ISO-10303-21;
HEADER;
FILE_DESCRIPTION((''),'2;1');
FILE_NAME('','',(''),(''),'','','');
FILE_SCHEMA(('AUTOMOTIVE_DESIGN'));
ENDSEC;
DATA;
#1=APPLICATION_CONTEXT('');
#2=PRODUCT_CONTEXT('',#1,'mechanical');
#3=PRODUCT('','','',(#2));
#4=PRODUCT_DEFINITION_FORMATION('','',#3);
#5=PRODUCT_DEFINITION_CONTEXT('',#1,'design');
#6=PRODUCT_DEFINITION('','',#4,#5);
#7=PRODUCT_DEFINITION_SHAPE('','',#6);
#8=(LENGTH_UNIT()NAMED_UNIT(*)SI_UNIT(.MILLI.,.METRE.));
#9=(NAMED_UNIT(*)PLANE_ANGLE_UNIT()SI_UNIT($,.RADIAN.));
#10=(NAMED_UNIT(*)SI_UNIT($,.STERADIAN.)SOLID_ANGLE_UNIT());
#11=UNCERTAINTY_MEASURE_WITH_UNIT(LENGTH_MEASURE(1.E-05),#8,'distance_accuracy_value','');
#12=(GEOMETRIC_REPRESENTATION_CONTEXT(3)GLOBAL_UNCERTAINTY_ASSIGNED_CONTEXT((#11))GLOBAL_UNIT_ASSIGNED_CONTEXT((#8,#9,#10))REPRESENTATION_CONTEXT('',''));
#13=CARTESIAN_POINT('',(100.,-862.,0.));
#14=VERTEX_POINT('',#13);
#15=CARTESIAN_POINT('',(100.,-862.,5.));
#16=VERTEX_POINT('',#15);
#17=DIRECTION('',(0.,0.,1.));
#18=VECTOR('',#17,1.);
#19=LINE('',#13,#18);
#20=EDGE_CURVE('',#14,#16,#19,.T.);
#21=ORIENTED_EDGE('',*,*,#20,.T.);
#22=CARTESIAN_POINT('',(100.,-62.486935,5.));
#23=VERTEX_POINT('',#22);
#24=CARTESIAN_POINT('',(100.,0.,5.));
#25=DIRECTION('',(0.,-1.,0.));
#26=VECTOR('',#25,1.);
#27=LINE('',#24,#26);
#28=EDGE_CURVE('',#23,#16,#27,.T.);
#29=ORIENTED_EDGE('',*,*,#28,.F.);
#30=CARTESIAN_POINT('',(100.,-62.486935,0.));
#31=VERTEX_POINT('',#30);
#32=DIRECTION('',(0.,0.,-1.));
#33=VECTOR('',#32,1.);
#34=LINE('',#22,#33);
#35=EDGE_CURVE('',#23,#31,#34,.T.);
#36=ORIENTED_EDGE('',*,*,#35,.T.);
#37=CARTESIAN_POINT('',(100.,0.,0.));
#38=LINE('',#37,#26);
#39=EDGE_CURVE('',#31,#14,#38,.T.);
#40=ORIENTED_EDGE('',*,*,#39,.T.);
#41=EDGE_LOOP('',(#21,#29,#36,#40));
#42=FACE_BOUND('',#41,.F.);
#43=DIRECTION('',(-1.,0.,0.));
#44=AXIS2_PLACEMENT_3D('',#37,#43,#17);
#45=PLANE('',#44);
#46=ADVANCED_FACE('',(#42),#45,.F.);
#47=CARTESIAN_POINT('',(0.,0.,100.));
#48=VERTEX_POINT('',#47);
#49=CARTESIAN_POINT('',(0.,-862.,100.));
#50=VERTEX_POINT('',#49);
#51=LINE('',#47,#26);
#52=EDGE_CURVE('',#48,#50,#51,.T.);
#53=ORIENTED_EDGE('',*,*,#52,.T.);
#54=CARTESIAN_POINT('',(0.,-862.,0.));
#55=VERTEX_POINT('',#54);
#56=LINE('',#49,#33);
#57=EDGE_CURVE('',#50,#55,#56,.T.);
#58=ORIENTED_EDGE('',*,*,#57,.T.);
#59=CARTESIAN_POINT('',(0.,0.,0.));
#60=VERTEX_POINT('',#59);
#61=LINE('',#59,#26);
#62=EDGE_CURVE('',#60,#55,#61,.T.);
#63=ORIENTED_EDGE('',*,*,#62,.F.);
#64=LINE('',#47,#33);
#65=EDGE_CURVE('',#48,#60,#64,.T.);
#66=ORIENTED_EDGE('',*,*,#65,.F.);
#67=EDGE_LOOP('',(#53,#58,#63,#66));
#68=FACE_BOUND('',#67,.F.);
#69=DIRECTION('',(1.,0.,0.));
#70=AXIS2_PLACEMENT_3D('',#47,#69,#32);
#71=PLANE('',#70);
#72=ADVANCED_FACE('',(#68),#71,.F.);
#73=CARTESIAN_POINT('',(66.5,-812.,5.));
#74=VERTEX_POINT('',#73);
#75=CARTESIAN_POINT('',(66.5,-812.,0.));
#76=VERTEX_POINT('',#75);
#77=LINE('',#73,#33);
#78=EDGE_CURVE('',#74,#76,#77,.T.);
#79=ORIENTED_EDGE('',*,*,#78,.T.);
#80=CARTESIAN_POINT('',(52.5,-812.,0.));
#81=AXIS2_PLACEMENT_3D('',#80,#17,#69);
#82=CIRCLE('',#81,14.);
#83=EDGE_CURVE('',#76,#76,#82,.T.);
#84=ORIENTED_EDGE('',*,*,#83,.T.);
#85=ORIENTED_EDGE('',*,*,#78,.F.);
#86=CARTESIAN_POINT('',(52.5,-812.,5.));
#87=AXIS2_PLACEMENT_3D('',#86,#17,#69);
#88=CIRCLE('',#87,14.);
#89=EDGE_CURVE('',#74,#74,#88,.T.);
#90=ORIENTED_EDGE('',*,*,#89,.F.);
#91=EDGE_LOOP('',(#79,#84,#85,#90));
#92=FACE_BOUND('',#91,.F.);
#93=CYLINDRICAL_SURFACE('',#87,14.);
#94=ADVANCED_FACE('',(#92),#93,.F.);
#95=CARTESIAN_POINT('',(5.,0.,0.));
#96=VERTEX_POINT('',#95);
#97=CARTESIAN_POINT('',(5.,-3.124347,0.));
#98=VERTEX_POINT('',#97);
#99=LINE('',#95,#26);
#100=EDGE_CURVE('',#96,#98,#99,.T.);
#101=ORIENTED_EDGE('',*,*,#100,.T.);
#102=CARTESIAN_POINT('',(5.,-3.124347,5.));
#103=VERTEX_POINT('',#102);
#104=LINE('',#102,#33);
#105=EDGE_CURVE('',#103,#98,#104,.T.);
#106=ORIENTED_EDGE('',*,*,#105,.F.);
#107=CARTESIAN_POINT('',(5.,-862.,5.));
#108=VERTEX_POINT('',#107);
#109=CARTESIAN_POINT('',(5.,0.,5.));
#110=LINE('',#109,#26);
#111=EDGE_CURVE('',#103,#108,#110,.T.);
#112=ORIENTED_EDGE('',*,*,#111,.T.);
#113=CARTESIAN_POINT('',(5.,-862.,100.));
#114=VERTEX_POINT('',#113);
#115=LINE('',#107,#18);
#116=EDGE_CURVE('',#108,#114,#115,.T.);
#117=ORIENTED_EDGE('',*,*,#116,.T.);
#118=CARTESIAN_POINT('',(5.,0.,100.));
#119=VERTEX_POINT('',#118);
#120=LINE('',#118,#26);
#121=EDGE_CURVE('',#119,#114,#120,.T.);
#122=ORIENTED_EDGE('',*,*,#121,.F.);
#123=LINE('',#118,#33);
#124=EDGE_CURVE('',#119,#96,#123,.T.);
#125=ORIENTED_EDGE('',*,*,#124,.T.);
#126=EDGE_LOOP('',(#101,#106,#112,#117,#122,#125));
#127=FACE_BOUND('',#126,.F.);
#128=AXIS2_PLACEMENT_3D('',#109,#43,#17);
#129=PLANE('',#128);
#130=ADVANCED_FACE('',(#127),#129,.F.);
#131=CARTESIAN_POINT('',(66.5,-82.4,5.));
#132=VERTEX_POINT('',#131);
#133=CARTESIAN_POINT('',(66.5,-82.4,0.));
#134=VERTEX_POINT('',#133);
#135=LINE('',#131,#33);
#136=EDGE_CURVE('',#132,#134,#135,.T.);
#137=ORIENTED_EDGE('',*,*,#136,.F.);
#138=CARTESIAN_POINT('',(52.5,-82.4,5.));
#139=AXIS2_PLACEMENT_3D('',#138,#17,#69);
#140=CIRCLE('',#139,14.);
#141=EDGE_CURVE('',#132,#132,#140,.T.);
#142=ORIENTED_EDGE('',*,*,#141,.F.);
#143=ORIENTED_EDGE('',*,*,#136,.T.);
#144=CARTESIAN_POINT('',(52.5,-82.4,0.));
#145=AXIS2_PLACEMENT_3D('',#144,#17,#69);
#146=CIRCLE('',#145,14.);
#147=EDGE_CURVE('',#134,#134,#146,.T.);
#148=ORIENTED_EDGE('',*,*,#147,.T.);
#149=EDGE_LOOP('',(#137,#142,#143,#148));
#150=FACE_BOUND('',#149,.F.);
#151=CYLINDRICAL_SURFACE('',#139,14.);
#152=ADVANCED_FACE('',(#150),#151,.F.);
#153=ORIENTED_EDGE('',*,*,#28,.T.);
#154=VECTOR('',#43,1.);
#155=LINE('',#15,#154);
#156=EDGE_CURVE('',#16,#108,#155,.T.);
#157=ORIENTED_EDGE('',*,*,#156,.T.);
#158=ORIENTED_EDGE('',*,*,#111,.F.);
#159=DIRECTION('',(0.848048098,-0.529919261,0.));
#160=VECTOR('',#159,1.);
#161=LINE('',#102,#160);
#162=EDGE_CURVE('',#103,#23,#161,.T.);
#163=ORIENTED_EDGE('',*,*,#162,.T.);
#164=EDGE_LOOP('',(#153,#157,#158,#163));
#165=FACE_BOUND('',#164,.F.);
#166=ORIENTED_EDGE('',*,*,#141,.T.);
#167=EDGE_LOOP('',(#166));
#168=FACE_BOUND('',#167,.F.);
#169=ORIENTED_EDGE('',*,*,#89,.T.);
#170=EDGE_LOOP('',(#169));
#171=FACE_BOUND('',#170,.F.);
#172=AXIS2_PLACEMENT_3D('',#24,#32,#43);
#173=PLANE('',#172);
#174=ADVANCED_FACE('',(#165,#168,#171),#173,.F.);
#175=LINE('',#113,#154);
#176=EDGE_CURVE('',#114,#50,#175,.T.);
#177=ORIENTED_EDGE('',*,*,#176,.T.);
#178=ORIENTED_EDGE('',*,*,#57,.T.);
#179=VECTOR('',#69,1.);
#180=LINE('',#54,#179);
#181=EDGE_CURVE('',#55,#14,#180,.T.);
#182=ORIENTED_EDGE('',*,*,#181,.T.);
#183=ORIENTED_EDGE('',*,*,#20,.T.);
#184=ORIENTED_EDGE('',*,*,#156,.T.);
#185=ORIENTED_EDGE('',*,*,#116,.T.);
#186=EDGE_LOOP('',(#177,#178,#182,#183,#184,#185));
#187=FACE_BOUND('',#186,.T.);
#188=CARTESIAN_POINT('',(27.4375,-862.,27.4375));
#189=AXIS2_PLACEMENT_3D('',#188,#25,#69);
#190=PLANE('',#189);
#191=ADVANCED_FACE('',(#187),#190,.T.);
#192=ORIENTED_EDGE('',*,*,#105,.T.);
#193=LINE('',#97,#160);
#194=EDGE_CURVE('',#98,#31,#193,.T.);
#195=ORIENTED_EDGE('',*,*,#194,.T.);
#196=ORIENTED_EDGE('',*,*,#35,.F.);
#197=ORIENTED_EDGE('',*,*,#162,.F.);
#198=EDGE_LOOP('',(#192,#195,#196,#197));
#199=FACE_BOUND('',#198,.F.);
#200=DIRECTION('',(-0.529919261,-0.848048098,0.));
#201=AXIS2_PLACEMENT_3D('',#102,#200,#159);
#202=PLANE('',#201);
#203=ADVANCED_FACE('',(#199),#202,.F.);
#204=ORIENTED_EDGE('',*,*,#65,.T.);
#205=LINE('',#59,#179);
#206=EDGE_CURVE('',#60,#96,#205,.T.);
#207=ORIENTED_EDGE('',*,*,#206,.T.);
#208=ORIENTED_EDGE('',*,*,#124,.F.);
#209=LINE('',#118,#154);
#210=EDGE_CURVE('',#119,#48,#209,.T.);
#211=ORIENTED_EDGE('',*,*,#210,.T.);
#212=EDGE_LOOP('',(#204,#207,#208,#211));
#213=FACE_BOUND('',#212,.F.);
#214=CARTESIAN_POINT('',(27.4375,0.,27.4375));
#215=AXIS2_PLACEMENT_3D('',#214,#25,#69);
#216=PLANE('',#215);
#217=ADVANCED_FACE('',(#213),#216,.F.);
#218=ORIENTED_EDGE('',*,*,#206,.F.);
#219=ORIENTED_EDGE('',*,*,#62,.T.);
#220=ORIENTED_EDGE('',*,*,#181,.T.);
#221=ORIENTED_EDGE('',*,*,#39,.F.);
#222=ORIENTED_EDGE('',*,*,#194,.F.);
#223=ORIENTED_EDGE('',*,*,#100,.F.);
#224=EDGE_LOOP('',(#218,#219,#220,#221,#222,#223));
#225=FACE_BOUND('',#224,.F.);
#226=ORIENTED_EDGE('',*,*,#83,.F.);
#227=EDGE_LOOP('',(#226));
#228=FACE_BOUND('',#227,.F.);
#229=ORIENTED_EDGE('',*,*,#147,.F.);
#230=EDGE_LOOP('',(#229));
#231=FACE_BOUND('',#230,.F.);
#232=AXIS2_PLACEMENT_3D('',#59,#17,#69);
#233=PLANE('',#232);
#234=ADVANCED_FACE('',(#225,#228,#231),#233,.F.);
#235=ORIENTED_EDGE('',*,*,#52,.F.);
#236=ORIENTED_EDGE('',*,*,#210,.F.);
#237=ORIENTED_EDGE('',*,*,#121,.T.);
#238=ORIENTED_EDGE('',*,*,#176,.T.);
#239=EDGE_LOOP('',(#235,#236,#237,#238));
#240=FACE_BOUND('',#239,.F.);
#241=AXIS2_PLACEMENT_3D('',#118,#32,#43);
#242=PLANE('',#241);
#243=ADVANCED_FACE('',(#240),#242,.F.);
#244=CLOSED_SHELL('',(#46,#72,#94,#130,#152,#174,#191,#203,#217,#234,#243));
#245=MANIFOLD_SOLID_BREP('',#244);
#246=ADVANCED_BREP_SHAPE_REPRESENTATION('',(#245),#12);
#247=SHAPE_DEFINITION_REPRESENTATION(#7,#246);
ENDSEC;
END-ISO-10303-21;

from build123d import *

# Parameters (mm, degrees)
F1_DEPTH = 862
F2_R     = 14
F3_DEPTH = 5
F5_DEPTH = 5


with BuildPart() as f1:
    # F0 (on Front) → F1 (new body)
    with BuildSketch(Plane.XZ):
        Polygon((0, 100), (0, 0), (100, 0), (100, 5), (5, 5), (5, 100), align=None)
    extrude(amount=F1_DEPTH)

    # F2 (on face) → F3 (cut, through all)
    with BuildSketch(Plane.XY.offset(5)):
        with Locations((52.5, -82.4)):
            Circle(F2_R)
        with Locations((52.5, -812)):
            Circle(F2_R)
    extrude(amount=-F3_DEPTH, mode=Mode.SUBTRACT)

    # F4 (on face) → F5 (cut)
    with BuildSketch(Plane.XY.offset(5)):
        Polygon((5, -3.124347), (100, -62.486935), (100, 0), (5, 0), align=None)
    extrude(amount=-F5_DEPTH, mode=Mode.SUBTRACT)


solid = f1.part
